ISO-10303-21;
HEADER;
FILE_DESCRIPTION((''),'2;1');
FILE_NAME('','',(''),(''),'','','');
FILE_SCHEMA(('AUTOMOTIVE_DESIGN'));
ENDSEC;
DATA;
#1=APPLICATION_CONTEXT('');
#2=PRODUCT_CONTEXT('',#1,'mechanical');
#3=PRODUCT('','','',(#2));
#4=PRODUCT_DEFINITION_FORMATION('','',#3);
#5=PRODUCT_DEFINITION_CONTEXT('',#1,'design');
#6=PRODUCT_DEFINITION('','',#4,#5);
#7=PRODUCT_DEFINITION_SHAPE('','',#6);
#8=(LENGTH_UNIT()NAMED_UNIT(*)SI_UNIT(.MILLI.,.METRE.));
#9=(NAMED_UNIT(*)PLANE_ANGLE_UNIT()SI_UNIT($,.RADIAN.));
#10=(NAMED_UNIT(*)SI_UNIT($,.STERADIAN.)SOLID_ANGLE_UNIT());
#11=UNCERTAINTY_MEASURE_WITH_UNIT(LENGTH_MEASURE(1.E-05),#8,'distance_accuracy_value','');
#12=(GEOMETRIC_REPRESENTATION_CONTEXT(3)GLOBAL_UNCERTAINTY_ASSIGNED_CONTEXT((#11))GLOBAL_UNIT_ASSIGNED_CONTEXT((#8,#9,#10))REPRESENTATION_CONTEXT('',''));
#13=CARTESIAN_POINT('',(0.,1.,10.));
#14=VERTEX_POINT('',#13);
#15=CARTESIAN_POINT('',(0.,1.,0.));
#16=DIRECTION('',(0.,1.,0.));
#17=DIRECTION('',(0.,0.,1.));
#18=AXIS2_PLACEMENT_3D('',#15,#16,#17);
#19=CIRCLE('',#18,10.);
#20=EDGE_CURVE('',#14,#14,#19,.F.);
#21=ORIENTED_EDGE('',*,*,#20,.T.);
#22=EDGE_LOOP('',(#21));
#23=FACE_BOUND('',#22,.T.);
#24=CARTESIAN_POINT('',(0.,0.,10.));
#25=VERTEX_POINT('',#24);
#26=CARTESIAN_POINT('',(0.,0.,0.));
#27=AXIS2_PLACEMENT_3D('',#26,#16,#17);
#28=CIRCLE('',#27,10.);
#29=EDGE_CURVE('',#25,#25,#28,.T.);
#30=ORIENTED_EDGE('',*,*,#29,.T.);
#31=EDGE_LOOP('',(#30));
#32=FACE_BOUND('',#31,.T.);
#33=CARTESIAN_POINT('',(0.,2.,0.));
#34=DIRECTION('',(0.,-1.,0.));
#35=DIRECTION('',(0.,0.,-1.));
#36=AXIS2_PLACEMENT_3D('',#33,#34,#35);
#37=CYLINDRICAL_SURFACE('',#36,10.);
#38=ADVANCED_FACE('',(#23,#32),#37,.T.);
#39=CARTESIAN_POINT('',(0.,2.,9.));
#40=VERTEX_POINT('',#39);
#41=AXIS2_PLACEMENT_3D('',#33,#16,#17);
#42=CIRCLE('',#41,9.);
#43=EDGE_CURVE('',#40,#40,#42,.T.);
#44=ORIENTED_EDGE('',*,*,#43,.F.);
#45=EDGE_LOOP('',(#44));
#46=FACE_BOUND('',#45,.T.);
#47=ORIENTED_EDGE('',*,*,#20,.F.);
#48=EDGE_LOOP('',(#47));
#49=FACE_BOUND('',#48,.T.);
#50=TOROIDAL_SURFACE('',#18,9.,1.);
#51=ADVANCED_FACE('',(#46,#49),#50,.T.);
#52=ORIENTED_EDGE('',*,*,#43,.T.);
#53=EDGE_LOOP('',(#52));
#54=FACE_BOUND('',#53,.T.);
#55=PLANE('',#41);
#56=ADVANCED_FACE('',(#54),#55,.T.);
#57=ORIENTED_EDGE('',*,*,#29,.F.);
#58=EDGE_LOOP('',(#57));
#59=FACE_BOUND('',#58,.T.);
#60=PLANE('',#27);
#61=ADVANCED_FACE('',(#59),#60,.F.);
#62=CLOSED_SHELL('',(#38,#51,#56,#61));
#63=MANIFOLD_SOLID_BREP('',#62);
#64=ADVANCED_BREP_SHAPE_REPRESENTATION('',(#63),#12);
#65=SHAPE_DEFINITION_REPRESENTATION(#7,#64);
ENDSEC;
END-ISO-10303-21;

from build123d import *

# Parameters (mm, degrees)
SKETCH1_R           = 10
BOSS_EXTRUDE1_DEPTH = 2
FILLET1_R           = 1


with BuildPart() as part:
    # Sketch1 → Boss-Extrude1 (new body)
    with BuildSketch(Plane(origin=(0, 0, 0), x_dir=(1, 0, 0), z_dir=(0, 1, 0))):
        Circle(SKETCH1_R)
    extrude(amount=BOSS_EXTRUDE1_DEPTH)

    # Fillet1
    fillet1_edges = [part.edges().sort_by_distance(p)[0] for p in [
        (-10, 2, 0),
    ]]
    fillet(fillet1_edges, radius=FILLET1_R)


solid = part.part
